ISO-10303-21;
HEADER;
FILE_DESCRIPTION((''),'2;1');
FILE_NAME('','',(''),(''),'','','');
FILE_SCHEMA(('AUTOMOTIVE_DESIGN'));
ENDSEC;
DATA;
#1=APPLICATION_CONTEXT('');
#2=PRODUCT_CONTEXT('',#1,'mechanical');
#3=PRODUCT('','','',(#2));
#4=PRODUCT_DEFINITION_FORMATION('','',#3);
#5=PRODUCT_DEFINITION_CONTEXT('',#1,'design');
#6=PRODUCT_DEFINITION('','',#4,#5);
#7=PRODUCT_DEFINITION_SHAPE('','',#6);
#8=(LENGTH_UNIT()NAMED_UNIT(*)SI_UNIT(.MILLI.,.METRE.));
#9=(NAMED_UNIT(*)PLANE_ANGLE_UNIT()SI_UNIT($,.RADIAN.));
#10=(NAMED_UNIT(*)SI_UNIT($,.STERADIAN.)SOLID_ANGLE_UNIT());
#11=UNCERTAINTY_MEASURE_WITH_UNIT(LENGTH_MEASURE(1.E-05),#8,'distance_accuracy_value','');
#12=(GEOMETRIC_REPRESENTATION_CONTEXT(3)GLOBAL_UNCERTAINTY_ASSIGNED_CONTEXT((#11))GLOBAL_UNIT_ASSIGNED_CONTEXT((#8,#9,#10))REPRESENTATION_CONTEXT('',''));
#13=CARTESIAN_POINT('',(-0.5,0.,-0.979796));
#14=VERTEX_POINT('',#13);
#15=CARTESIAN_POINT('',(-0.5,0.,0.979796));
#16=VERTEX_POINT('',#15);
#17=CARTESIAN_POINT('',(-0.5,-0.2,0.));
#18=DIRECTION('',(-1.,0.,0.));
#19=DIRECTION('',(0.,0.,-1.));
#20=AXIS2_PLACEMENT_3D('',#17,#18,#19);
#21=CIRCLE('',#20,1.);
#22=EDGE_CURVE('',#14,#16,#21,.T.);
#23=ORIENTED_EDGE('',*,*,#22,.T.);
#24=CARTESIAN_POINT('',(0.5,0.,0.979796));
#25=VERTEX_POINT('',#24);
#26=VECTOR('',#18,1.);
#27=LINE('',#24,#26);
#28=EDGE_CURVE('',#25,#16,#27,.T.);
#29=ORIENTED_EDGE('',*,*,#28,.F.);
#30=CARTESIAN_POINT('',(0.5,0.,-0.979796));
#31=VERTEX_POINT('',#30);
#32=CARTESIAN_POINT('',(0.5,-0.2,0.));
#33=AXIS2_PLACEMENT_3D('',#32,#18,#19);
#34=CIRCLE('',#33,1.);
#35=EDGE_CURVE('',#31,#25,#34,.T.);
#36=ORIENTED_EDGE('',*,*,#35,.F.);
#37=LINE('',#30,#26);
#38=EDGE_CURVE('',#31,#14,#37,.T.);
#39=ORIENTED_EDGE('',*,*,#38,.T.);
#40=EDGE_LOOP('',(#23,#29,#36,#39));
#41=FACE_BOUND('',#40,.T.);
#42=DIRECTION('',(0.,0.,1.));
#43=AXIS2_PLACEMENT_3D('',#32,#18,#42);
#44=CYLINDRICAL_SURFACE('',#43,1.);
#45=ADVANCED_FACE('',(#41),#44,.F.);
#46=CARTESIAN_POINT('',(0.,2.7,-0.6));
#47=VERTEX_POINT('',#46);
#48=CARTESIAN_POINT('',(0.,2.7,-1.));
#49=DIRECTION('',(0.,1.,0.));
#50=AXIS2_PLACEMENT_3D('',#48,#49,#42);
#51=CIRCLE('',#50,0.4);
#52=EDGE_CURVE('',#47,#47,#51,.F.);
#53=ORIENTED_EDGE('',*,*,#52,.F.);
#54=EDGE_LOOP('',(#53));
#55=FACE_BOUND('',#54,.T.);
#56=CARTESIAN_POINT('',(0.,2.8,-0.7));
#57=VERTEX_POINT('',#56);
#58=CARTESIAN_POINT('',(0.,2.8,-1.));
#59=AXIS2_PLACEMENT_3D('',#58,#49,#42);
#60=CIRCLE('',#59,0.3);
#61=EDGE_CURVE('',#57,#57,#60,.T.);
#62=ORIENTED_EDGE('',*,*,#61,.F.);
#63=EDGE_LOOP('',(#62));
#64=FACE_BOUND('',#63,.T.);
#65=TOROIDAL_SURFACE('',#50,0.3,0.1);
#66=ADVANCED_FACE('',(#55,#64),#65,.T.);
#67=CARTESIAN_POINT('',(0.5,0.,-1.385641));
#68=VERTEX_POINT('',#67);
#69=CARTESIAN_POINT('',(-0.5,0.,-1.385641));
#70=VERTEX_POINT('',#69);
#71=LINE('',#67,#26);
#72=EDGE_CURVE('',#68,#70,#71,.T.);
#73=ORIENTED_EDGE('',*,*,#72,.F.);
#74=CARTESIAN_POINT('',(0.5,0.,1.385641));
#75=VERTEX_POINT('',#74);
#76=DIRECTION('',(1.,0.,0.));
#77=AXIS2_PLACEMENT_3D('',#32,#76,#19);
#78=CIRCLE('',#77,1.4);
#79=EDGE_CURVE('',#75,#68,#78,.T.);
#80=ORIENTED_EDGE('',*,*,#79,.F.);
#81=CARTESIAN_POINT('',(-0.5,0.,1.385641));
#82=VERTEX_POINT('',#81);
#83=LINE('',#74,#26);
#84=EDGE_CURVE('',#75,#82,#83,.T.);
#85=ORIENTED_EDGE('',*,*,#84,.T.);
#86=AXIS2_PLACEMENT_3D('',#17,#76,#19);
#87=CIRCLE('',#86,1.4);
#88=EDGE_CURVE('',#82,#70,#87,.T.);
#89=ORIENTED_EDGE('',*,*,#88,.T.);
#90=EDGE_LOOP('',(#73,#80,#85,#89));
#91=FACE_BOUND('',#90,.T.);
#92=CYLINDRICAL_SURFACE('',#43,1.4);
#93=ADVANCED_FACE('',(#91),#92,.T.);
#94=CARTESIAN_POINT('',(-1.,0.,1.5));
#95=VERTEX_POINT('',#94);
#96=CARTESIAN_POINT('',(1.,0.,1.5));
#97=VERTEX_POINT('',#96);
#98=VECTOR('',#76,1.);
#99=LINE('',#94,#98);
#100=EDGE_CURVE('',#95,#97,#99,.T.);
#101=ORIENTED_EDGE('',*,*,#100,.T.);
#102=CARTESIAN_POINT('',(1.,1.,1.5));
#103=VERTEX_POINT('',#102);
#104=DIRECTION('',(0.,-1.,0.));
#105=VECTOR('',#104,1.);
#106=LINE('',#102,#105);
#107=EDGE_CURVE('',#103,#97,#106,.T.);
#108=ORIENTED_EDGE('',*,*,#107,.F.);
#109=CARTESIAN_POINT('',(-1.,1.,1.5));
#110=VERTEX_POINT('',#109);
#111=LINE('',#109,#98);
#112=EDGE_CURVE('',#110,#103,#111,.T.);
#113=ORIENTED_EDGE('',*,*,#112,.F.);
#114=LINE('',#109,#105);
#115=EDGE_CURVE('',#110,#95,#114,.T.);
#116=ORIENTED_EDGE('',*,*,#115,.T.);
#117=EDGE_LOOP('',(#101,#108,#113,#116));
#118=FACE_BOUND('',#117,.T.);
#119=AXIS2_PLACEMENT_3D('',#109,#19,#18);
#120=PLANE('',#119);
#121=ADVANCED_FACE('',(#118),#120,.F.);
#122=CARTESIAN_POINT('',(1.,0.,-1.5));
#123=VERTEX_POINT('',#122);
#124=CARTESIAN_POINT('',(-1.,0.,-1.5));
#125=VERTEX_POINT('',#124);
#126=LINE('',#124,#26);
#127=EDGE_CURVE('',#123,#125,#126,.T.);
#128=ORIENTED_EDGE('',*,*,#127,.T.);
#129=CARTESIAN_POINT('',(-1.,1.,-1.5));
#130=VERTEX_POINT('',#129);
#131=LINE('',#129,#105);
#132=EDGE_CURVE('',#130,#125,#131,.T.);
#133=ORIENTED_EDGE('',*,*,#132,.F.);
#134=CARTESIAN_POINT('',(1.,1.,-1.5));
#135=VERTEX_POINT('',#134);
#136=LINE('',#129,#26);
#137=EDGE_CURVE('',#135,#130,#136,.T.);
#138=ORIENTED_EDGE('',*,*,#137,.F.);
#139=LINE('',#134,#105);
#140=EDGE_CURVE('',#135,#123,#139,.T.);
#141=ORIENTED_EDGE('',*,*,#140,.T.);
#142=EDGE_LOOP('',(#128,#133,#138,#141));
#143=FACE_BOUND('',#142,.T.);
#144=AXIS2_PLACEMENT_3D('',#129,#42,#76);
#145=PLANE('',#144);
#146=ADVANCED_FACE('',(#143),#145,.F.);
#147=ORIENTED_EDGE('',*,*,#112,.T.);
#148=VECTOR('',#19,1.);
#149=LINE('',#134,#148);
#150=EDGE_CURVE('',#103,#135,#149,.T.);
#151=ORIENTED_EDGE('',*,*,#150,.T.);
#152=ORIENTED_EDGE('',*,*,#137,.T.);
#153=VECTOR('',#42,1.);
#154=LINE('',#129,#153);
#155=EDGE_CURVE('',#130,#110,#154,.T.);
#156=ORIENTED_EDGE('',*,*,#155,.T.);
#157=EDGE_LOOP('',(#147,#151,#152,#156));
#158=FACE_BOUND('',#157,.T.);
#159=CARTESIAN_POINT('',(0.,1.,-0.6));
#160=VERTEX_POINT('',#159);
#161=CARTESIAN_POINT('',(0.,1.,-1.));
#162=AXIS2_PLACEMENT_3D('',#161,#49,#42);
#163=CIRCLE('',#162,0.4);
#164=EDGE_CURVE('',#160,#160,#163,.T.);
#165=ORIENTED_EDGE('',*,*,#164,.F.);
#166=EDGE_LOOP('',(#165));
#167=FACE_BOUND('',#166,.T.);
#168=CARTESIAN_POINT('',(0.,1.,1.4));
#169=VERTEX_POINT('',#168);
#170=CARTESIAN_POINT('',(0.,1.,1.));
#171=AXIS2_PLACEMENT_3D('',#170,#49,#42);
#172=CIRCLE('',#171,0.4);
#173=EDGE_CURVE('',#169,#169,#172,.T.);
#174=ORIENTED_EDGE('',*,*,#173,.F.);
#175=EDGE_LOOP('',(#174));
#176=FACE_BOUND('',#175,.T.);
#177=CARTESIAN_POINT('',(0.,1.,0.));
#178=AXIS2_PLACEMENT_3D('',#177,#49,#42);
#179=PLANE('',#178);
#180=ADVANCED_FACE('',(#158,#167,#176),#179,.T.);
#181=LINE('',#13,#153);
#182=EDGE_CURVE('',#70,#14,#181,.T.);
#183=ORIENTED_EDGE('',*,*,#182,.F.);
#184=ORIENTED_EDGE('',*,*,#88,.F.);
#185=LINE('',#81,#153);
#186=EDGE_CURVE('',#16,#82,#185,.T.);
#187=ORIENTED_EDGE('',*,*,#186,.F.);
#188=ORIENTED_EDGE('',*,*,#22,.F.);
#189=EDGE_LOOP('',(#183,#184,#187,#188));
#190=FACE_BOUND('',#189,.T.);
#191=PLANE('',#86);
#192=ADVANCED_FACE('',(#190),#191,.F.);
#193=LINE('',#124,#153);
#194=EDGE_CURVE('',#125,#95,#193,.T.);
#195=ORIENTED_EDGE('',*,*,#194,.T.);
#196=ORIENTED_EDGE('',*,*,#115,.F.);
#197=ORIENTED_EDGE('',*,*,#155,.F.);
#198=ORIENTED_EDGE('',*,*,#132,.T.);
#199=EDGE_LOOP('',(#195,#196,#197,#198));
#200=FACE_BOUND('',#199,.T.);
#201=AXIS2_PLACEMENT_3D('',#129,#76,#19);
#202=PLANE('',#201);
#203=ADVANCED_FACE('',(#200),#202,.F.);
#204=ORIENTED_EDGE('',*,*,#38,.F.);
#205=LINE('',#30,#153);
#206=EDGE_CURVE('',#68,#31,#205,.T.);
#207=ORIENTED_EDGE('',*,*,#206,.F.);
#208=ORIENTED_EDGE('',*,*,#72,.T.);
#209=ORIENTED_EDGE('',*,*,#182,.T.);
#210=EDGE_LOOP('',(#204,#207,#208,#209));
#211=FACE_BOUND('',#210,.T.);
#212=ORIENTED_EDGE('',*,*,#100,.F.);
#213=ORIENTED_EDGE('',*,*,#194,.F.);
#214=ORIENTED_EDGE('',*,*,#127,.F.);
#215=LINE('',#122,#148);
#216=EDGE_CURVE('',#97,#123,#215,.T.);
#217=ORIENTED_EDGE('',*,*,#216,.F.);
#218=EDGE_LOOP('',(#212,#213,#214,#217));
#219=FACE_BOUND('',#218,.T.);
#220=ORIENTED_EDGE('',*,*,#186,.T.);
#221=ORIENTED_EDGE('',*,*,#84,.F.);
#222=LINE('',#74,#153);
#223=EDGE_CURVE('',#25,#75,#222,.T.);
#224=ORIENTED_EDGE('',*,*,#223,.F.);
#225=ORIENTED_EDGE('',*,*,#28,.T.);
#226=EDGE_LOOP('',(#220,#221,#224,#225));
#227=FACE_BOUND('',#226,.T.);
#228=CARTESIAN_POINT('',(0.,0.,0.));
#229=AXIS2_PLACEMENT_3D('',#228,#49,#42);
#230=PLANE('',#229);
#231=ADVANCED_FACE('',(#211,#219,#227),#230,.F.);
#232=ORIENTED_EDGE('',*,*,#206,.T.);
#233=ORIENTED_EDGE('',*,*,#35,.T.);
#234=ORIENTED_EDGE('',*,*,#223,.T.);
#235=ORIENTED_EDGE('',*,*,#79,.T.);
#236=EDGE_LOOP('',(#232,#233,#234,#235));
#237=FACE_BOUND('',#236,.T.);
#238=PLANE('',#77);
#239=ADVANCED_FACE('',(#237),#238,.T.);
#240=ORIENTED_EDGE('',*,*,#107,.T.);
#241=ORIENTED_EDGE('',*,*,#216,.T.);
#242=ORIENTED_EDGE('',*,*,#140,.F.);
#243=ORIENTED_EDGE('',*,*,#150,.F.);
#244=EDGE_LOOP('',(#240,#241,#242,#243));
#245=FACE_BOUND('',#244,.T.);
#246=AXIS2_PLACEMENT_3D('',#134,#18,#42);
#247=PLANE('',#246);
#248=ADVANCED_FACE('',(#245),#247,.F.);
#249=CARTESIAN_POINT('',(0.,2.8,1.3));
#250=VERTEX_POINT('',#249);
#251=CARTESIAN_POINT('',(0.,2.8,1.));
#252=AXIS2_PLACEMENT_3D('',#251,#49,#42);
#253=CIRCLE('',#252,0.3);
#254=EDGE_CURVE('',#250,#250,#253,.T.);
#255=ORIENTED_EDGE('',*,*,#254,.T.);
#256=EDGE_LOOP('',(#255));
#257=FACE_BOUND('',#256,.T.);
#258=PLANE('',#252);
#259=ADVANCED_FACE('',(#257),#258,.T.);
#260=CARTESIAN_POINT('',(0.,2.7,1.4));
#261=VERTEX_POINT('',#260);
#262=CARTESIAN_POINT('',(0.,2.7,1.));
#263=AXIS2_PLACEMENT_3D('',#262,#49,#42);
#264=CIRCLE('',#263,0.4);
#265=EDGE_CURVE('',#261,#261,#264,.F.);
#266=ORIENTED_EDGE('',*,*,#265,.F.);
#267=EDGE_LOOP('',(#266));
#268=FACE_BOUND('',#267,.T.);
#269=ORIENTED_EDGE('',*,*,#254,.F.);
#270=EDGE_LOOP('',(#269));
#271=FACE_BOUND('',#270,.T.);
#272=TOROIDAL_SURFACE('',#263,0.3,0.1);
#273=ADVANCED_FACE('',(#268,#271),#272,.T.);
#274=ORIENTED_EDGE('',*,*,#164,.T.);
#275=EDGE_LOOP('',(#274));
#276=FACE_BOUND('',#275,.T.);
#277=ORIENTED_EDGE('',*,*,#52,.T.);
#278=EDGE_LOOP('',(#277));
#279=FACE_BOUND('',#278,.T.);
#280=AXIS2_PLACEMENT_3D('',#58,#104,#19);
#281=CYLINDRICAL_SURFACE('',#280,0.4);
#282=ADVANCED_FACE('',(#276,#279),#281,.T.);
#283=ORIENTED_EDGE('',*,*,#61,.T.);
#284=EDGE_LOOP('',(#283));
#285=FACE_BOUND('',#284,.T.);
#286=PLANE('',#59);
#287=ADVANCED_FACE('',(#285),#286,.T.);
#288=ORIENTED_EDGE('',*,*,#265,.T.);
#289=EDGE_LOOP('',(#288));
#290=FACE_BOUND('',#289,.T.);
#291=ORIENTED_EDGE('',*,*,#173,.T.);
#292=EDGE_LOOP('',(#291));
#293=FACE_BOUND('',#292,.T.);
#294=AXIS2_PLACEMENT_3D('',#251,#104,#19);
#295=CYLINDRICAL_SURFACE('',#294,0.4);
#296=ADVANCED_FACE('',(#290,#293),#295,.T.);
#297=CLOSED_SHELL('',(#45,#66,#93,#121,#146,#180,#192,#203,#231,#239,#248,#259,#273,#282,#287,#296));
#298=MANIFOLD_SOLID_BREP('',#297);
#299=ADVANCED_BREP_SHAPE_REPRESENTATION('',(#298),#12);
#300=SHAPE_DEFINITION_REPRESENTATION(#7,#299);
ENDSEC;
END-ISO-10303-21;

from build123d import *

# Parameters (mm, degrees)
SKETCH1_W                     = 2
SKETCH1_H                     = 3
NP2_IMPLANTER_LOCK_BASE_DEPTH = 1
SKETCH2_R                     = 0.4
LOCK_ARMS_DEPTH               = 1.8
RETREIVAL_HOOKS_DEPTH         = 0.5
FILLET1_R                     = 0.1


with BuildPart() as part:
    # Sketch1 → NP2 Implanter Lock Base (new body)
    with BuildSketch(Plane(origin=(0, 0, 0), x_dir=(1, 0, 0), z_dir=(0, 1, 0))):
        Rectangle(SKETCH1_W, SKETCH1_H)
    extrude(amount=NP2_IMPLANTER_LOCK_BASE_DEPTH)

    # Sketch2 → Lock arms (add)
    with BuildSketch(Plane(origin=(0, 1, 0), x_dir=(1, 0, 0), z_dir=(0, 1, 0))):
        with Locations((0, 1)):
            Circle(SKETCH2_R)
        with Locations((0, -1)):
            Circle(SKETCH2_R)
    extrude(amount=LOCK_ARMS_DEPTH)

    # Sketch3 → Retreival Hooks (add, symmetric)
    with BuildSketch(Plane(origin=(0, 0, 0), x_dir=(0, 0, -1), z_dir=(1, 0, 0))):
        with BuildLine():
            Line((-1.385640646, 0), (-0.979795897, 0))
            ThreePointArc((-0.979795897, 0), (0, -1.2), (0.979795897, 0))
            Line((0.979795897, 0), (1.385640646, 0))
            ThreePointArc((1.385640646, 0), (0, -1.6), (-1.385640646, 0))
        make_face()
    extrude(amount=RETREIVAL_HOOKS_DEPTH, both=True)

    # Fillet1
    fillet1_edges = [part.edges().sort_by_distance(p)[0] for p in [
        (-0.4, 2.8, -1),
        (-0.4, 2.8, 1),
    ]]
    fillet(fillet1_edges, radius=FILLET1_R)


solid = part.part
